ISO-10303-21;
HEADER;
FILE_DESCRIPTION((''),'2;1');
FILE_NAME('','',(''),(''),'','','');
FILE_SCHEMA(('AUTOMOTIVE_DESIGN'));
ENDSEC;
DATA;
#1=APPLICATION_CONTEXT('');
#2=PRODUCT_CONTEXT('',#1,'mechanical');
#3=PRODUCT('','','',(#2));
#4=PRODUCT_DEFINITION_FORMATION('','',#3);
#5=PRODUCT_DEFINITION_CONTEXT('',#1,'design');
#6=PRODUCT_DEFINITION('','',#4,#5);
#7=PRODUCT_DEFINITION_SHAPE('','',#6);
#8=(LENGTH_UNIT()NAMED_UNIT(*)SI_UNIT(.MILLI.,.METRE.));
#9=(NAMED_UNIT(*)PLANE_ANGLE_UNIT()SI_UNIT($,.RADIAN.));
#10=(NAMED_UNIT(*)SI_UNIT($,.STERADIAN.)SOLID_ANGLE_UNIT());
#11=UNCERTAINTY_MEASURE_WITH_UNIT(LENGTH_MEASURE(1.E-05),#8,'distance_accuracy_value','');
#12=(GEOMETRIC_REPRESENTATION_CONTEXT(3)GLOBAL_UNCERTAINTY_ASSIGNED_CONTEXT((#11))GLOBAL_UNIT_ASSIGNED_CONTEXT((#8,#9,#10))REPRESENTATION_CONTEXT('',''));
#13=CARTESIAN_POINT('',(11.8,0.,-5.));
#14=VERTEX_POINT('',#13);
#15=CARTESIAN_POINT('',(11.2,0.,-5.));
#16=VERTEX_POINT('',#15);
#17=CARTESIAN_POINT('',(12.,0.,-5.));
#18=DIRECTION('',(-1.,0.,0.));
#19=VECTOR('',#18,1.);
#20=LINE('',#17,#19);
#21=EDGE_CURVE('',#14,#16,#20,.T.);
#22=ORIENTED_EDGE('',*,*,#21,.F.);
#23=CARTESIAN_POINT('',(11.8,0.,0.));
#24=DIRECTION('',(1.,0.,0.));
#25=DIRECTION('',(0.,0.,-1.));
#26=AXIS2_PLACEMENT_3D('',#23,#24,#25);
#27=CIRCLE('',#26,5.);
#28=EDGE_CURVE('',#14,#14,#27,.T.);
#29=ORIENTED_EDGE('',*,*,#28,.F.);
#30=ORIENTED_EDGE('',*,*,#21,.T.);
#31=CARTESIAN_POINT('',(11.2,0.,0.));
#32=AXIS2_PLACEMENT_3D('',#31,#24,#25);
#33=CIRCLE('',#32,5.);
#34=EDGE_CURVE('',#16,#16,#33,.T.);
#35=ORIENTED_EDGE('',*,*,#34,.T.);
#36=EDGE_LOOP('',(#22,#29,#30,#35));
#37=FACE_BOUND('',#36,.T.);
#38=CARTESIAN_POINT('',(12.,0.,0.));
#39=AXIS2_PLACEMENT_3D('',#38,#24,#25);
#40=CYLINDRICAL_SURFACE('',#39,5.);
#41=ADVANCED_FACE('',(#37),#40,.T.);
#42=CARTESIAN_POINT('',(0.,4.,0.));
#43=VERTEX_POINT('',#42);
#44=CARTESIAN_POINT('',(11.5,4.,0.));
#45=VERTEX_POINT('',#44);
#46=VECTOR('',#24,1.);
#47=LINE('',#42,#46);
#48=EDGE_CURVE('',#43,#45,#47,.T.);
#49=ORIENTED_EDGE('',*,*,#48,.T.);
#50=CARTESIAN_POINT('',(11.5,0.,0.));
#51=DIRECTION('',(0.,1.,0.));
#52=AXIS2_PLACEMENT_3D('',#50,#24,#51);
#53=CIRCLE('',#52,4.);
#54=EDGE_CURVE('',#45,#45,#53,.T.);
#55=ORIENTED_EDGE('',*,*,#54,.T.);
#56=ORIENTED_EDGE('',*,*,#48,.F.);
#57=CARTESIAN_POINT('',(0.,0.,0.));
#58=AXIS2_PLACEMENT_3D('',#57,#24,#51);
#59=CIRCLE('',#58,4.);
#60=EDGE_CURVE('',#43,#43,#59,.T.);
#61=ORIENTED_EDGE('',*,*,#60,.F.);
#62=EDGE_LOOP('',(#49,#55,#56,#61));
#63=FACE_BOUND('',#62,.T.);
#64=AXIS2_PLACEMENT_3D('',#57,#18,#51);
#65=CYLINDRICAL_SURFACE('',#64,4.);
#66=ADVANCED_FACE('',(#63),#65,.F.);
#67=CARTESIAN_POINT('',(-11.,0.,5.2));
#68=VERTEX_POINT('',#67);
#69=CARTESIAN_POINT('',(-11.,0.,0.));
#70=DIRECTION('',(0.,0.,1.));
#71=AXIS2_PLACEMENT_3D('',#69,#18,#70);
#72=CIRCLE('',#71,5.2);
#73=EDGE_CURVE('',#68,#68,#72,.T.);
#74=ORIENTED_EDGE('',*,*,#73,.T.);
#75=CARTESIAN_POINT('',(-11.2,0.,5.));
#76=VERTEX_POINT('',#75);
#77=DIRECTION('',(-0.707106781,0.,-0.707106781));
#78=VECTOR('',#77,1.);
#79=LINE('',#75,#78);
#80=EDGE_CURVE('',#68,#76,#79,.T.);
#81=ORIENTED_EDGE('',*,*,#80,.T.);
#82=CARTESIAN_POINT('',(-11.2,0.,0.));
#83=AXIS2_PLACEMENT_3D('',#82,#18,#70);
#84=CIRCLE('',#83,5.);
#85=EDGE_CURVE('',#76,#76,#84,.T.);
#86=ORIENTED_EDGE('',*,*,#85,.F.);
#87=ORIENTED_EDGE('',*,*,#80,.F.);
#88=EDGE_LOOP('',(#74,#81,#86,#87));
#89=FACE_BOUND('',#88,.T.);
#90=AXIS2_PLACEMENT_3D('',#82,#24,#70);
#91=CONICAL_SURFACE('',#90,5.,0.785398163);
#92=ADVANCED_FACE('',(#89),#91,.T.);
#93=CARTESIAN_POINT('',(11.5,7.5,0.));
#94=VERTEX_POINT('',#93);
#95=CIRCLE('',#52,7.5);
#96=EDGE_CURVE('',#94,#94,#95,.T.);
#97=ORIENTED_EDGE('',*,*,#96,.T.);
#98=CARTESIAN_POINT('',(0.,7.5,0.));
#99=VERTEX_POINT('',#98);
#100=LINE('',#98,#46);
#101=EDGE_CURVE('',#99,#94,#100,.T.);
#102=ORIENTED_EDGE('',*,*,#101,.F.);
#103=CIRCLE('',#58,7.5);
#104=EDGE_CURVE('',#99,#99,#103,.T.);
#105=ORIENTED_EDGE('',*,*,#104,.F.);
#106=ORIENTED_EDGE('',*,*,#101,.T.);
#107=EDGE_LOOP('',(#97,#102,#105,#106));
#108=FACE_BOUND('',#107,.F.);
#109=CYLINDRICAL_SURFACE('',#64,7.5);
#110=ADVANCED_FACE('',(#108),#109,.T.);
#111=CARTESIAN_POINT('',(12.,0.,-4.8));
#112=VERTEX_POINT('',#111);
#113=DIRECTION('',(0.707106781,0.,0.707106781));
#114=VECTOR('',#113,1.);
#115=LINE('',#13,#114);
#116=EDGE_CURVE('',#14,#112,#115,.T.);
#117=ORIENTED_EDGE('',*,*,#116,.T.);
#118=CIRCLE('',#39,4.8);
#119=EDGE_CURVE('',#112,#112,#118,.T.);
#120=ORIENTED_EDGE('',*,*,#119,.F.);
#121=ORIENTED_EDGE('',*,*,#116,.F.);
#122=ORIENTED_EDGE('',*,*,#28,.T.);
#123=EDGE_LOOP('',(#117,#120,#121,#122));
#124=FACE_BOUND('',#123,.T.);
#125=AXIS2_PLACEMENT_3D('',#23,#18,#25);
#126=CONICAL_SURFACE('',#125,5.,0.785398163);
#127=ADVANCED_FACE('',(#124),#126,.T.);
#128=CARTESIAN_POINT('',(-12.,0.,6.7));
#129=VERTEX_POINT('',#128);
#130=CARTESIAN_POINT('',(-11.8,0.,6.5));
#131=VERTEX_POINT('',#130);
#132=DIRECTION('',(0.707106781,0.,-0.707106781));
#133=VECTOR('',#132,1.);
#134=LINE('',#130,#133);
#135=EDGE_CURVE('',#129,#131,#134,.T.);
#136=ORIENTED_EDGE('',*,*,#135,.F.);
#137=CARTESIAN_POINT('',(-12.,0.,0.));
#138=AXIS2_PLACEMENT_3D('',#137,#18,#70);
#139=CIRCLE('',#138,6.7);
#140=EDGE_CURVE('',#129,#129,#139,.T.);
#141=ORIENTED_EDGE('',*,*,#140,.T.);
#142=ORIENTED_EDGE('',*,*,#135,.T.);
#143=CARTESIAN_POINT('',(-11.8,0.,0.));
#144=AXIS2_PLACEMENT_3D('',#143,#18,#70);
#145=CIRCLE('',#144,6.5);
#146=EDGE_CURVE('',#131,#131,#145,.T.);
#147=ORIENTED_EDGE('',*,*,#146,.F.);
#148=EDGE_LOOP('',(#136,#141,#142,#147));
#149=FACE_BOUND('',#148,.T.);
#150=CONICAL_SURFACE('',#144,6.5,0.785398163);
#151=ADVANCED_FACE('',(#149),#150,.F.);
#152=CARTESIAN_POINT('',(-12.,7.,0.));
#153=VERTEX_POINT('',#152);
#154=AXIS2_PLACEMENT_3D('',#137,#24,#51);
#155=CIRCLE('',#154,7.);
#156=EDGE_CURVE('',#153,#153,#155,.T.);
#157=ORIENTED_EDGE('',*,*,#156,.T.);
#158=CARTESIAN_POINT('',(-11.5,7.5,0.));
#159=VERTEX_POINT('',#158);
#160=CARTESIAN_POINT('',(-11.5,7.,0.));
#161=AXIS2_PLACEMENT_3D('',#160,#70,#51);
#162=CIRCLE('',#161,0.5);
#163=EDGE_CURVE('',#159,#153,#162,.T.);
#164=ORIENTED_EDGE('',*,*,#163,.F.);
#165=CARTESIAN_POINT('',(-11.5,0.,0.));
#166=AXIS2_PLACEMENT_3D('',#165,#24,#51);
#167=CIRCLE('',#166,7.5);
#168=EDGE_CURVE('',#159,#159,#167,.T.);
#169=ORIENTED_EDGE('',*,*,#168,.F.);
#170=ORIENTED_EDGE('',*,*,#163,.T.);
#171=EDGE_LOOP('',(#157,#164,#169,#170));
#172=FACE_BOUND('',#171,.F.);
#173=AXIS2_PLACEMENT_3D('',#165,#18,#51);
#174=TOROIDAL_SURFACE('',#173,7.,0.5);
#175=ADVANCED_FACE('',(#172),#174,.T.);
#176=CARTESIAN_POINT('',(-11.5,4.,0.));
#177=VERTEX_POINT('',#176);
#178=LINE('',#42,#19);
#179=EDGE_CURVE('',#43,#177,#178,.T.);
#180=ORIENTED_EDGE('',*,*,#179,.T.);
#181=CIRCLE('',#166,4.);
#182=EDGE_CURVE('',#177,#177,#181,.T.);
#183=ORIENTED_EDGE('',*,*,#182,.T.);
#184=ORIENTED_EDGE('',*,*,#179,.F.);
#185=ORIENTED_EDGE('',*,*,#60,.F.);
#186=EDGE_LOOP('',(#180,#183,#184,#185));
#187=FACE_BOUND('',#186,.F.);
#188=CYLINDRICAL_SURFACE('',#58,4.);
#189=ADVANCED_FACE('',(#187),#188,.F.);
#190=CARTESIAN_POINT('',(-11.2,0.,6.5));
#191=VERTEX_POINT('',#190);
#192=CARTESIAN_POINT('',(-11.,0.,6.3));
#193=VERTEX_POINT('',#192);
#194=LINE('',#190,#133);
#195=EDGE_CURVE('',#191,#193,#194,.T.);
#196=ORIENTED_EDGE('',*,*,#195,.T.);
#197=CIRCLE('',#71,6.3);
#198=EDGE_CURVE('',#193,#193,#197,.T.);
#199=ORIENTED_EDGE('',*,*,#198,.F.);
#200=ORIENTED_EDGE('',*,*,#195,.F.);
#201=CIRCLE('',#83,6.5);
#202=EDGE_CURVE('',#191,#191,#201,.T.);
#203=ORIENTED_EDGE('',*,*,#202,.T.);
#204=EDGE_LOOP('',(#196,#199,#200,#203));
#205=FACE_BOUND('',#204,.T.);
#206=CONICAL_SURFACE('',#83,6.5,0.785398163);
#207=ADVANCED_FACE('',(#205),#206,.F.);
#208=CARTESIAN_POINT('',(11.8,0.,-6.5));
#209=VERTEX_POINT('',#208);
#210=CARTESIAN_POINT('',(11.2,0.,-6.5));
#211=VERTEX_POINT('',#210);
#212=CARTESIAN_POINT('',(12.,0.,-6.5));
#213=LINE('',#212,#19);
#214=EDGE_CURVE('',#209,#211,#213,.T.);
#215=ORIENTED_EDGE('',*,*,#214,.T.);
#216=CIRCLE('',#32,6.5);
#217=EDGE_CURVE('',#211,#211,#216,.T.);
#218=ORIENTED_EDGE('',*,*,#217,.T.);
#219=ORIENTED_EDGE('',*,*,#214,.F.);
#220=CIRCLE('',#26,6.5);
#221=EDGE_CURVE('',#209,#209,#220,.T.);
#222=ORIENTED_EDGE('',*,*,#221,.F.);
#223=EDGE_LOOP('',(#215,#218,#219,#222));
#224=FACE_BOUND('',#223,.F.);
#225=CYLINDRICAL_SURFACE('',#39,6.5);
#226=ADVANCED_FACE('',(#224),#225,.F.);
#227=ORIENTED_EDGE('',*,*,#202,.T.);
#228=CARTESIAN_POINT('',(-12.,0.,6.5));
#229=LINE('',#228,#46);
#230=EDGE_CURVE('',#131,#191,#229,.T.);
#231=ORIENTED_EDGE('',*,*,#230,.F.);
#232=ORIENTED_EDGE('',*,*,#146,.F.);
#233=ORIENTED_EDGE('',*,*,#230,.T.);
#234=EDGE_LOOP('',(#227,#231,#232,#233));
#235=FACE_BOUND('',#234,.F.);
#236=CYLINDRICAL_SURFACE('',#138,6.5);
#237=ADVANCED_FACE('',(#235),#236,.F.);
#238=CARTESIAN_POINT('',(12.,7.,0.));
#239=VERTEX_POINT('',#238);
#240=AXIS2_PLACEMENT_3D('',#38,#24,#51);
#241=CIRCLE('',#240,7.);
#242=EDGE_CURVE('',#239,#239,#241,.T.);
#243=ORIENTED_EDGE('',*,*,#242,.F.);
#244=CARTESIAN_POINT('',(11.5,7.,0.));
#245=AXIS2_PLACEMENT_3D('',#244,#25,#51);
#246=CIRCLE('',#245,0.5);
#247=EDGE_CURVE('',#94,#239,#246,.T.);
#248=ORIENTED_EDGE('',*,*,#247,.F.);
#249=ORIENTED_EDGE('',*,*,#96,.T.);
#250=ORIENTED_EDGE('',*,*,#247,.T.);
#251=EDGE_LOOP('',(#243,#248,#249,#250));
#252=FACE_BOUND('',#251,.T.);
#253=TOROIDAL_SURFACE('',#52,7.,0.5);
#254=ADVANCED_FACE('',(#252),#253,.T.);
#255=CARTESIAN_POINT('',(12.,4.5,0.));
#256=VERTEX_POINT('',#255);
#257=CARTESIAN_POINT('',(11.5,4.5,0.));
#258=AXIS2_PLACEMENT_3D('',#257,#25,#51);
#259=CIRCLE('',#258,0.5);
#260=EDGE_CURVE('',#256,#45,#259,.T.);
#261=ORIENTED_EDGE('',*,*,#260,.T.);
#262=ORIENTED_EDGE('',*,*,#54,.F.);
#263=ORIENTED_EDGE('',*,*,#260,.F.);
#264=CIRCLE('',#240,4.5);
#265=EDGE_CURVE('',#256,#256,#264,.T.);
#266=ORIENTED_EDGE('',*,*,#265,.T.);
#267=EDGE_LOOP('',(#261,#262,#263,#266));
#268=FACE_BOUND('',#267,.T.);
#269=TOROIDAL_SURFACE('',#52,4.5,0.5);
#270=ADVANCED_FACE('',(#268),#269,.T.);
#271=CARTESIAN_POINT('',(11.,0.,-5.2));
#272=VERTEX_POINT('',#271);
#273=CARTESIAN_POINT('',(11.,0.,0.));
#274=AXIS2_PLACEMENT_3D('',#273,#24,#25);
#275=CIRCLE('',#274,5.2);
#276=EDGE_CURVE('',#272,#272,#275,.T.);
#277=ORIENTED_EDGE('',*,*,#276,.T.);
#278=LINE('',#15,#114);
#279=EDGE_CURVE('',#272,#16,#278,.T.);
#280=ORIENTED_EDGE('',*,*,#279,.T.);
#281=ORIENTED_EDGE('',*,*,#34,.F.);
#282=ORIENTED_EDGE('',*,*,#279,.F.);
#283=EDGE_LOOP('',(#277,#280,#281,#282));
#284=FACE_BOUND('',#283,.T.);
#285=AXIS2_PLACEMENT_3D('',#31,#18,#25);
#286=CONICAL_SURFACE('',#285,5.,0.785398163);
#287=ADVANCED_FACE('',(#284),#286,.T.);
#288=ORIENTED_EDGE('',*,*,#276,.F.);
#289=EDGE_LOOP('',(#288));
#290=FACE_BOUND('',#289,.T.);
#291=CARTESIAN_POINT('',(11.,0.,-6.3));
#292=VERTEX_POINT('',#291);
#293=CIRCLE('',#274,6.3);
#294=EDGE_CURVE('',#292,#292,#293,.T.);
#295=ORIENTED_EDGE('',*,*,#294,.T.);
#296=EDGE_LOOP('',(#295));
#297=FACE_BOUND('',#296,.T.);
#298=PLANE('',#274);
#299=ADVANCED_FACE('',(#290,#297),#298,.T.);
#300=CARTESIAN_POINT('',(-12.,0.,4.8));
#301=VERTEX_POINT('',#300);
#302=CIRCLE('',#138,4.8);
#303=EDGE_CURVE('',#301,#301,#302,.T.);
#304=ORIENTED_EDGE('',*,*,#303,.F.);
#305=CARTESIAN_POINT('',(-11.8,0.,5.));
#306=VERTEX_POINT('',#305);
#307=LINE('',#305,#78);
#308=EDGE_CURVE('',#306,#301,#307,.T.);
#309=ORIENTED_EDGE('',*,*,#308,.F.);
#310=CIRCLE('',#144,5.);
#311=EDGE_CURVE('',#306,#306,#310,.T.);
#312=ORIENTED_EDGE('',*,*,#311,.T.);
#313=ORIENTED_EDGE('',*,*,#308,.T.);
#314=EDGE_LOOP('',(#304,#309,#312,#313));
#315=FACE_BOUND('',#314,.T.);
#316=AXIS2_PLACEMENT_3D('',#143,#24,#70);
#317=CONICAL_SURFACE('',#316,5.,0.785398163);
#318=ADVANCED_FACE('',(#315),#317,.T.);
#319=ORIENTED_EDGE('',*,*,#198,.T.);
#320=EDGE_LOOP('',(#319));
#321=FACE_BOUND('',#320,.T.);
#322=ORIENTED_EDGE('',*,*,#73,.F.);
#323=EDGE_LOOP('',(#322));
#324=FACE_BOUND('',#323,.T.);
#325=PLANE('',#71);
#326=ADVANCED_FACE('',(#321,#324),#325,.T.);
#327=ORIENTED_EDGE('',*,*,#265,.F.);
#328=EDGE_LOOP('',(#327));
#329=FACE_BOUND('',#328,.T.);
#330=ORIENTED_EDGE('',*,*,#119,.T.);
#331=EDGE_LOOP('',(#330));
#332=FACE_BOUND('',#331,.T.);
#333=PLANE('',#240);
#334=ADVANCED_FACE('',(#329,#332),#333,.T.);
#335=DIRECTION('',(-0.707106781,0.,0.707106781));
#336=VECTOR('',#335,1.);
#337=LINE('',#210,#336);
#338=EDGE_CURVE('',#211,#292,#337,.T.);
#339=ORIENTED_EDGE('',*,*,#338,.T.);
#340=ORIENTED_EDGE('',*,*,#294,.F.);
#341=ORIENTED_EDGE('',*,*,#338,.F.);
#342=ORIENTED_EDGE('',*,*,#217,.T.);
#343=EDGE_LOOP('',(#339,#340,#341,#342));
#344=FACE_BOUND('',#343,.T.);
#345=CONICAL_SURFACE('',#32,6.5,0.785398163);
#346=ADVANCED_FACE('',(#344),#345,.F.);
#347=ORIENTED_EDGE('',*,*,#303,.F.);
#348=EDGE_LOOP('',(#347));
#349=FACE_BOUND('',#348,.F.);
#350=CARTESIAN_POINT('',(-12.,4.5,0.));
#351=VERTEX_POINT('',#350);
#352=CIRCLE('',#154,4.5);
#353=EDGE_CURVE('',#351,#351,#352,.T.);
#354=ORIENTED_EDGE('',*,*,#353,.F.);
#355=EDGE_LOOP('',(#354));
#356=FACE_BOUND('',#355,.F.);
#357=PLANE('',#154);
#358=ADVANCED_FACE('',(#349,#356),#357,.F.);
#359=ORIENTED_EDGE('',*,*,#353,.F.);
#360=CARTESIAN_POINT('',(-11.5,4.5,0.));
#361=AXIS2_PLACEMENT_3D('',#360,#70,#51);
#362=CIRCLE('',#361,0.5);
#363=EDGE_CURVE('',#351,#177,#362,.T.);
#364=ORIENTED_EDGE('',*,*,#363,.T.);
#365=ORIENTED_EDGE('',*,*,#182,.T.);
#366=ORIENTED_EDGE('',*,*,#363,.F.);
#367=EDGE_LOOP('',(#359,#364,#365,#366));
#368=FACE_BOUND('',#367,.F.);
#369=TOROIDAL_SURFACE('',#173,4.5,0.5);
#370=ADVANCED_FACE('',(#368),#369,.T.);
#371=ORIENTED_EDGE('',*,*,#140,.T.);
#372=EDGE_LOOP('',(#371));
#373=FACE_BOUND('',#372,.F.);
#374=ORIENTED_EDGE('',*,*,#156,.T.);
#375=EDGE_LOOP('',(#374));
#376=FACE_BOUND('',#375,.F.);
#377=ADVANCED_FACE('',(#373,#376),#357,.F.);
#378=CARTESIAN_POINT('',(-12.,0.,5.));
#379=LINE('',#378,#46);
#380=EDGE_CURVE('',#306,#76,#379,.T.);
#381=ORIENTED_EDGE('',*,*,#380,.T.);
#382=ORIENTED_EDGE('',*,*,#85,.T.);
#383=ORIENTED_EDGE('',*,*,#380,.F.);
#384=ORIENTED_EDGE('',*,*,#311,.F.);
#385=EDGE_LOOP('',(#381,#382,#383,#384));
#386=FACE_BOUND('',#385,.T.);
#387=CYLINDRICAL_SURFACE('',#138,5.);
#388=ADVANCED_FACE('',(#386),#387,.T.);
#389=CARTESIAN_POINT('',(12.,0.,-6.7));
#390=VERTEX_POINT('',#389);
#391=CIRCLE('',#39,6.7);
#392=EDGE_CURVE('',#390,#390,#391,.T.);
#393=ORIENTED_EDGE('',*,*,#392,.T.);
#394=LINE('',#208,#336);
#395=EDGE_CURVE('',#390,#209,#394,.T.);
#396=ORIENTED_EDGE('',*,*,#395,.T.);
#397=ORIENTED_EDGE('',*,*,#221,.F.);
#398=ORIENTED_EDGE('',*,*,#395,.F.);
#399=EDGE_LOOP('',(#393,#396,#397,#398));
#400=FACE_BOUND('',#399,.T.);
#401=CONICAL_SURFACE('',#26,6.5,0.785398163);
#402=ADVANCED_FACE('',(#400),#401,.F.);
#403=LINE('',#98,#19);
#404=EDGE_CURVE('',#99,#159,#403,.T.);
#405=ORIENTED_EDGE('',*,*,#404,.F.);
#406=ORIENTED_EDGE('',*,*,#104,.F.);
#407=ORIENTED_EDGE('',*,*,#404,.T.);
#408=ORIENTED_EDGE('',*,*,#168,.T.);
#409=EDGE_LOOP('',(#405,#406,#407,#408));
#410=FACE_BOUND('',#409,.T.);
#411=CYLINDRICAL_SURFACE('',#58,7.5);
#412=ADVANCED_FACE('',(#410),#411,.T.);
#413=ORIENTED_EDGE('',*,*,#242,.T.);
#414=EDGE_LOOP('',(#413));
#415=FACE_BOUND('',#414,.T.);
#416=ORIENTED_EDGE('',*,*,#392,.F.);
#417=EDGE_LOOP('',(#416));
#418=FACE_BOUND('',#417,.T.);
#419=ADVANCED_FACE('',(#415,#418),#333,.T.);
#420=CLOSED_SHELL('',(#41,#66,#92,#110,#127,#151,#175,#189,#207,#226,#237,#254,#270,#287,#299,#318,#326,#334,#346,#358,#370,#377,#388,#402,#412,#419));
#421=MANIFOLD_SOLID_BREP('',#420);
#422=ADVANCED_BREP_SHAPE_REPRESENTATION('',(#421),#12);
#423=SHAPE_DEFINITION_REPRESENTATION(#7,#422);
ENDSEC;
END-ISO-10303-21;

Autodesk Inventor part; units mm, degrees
ref_plane "YZ Plane" through (0, 0, 0) normal (1, 0, 0) x (0, 1, 0)
ref_plane "XZ Plane" through (0, 0, 0) normal (0, 1, 0) x (-1, 0, 0)
ref_plane "XY Plane" through (0, 0, 0) normal (0, 0, 1) x (1, 0, 0)
sketch "Эскиз1" plane through (0, 0, 0) normal (1, 0, 0) x (0, 1, 0)
  circle A0 centre (0, 0) radius 7.5
  circle A1 centre (0, 0) radius 4
  dimension "d0" = 15
  dimension "d1" = 8
extrude "Выдавливание1" add sketch "Эскиз1" along normal mid plane 24
sketch "Эскиз2" plane through (12, 0, 0) normal (1, 0, 0) x (0, 0, -1)
  circle A0 centre (0, 0) radius 5
  circle A1 centre (0, 0) radius 6.5
  dimension "d4" = 10
  dimension "d5" = 13
extrude "Выдавливание2" cut sketch "Эскиз2" against normal blind 1
sketch "Эскиз3" plane through (-12, 0, 0) normal (-1, 0, 0) x (0, 0, 1)
  circle A0 centre (0, 0) radius 6.5
  circle A1 centre (0, 0) radius 5
  dimension "d9" = 13
  dimension "d10" = 10
extrude "Выдавливание3" cut sketch "Эскиз3" against normal blind 1
fillet "Сопряжение1" radius 0.5 1 edges at (-12, -7.5, 0)
fillet "Сопряжение2" radius 0.5 3 edges at (-12, -4, 0) (12, -7.5, 0) (12, -4, 0)
chamfer "Фаска1" distance 0.2 angle 45 8 edges at (12, 0, 5) (12, 0, 6.5) (-12, 0, -5) (-12, 0, -6.5) (-11, 0, -5) (-11, 0, -6.5) (11, 0, 6.5) (11, 0, 5)
properties part number "LM8UU"
